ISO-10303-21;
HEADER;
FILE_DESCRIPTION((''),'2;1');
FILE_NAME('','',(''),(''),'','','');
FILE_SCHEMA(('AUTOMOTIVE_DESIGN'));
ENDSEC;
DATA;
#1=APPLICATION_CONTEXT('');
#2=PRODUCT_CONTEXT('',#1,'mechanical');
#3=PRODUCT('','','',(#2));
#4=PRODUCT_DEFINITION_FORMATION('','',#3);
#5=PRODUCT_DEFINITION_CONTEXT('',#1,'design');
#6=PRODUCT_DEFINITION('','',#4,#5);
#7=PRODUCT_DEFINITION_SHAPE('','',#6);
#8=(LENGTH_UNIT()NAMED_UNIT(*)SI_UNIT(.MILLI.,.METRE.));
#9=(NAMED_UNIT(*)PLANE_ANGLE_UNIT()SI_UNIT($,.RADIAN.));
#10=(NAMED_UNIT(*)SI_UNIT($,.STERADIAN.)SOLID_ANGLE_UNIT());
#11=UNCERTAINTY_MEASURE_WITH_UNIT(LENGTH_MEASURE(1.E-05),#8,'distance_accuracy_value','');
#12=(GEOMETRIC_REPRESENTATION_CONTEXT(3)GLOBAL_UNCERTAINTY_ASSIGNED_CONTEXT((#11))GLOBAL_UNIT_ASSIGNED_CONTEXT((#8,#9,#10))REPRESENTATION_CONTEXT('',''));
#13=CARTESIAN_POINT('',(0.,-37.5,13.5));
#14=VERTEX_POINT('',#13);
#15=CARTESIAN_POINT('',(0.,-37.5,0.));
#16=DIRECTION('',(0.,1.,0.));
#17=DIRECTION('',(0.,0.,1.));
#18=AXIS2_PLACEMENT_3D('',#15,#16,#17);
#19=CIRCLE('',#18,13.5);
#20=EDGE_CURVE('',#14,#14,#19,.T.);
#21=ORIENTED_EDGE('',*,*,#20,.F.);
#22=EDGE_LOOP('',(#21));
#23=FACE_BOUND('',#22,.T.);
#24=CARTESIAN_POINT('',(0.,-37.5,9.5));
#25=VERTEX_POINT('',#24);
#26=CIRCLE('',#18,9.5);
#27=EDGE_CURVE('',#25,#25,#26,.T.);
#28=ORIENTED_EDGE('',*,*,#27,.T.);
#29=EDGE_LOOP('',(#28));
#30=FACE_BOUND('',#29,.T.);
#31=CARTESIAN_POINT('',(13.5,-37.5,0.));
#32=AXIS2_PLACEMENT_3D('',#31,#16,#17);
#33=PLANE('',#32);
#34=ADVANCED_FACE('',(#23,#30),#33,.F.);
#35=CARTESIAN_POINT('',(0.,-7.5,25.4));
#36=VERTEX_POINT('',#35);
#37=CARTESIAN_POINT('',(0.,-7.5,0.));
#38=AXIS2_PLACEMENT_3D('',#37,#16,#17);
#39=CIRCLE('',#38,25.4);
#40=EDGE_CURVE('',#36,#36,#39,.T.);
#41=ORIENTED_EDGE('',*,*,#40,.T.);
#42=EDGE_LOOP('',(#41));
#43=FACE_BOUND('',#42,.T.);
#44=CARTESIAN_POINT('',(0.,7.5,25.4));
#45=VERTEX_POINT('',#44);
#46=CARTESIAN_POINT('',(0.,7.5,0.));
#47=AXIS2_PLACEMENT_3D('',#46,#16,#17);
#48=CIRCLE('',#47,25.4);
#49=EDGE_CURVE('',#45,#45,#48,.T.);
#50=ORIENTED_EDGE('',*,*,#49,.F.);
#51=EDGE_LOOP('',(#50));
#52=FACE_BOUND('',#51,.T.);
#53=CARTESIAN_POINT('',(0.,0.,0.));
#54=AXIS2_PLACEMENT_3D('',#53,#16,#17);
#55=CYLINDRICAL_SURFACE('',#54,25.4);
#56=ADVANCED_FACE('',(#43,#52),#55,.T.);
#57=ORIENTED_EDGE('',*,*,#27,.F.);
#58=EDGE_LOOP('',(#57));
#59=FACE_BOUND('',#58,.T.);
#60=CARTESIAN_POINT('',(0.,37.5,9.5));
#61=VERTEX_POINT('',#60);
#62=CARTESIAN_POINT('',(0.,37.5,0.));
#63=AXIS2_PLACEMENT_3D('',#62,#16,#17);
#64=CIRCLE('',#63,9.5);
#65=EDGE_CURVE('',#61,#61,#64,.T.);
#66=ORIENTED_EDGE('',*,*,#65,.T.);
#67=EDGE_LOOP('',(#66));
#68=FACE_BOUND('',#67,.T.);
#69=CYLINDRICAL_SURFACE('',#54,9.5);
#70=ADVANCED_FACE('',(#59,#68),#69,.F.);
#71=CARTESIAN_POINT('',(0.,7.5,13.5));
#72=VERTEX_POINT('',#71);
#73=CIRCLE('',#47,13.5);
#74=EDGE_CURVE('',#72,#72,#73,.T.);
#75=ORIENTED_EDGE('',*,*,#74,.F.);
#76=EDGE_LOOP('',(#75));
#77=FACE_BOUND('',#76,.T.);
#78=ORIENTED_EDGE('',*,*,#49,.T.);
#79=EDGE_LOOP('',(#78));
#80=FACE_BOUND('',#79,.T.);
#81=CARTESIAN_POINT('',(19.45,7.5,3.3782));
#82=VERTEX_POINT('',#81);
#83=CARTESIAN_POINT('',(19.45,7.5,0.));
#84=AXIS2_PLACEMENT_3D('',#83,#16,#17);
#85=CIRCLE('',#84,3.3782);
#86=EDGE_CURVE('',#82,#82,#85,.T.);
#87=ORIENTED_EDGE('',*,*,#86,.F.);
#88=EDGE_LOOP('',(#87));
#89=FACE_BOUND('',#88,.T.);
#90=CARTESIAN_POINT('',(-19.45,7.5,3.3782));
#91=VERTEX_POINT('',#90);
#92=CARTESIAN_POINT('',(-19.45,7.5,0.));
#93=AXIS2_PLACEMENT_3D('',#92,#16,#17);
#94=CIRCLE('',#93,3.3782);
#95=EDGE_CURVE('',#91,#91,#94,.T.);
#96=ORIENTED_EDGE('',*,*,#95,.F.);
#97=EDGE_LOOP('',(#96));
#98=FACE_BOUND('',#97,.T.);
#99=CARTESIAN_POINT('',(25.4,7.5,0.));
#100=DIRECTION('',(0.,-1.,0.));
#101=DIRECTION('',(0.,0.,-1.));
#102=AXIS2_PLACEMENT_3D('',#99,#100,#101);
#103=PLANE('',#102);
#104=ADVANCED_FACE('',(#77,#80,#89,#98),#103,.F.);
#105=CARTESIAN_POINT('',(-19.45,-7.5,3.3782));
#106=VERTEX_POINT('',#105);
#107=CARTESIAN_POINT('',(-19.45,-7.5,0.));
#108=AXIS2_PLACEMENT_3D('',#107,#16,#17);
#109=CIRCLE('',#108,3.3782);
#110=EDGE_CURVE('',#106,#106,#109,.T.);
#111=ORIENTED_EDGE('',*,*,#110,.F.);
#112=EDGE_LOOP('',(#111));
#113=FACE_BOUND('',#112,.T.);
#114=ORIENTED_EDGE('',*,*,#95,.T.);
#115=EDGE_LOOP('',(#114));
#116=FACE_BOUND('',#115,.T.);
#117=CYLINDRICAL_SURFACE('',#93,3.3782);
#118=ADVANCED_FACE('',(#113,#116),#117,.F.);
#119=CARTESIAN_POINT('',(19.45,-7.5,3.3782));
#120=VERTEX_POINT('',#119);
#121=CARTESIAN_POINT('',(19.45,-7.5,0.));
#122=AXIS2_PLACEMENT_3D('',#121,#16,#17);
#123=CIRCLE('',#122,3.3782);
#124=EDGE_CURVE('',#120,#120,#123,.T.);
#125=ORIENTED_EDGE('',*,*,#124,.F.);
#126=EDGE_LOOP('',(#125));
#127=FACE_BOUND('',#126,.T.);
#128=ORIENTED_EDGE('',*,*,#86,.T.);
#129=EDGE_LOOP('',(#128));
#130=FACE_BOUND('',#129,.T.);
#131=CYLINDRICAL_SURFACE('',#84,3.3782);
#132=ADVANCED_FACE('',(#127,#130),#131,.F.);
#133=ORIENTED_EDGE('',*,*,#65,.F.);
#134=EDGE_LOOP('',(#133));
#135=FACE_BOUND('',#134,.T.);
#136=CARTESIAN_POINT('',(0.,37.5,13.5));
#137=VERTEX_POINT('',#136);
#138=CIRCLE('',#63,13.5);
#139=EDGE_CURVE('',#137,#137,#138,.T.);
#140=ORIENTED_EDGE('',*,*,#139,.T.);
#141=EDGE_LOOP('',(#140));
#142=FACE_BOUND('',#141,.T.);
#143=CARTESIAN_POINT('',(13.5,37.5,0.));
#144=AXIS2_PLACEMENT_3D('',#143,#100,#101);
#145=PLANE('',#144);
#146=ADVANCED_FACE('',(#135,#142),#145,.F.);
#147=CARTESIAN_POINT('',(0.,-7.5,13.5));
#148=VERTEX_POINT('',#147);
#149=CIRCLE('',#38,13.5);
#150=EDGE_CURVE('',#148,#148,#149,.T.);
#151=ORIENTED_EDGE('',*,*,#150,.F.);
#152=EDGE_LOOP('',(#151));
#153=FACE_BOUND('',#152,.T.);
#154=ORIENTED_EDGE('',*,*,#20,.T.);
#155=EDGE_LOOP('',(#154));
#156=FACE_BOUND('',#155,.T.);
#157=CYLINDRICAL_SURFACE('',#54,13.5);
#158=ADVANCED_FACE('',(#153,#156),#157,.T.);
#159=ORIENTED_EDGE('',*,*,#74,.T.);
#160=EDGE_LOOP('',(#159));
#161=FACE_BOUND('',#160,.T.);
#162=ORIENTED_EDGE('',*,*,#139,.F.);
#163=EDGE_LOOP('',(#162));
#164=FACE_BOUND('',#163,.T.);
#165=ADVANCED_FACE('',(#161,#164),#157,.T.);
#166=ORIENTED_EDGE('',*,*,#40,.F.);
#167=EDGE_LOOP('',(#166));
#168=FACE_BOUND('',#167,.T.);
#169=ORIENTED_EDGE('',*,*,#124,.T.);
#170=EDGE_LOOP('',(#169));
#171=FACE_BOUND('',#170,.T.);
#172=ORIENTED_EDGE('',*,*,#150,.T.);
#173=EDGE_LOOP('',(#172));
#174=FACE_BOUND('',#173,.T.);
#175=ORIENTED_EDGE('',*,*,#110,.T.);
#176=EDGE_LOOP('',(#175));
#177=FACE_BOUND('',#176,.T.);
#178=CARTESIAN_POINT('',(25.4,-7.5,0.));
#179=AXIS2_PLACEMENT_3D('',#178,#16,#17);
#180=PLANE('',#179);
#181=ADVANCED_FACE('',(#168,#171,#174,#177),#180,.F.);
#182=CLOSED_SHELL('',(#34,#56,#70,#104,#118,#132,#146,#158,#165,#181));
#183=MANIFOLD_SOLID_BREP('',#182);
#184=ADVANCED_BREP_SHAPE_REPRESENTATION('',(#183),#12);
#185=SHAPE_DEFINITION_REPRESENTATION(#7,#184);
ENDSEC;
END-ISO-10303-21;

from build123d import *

# Parameters (mm, degrees)
TALADRO_DE_MARGEN_PARA_1_41_D = 6.7564


with BuildPart() as part:
    # Croquis2 → Revolución1 (revolve)
    with BuildSketch(Plane.XY, mode=Mode.PRIVATE) as revoluci_n1_sk:
        Polygon((9.5, 37.5), (9.5, -37.5), (13.5, -37.5), (13.5, -7.5), (25.4, -7.5), (25.4, 7.5), (13.5, 7.5), (13.5, 37.5), align=None)
    revolve(revoluci_n1_sk.sketch.rotate(Axis((0, 0, 0), (0, -1, 0)), 90), axis=Axis((0, 0, 0), (0, -1, 0)))

    # Taladro de margen para 1/41 (through all)
    with Locations(Plane(origin=(0, 7.5, 0), x_dir=(1, 0, 0), z_dir=(0, 1, 0))):
        with Locations((19.45, 0), (-19.45, 0)):
            Hole(TALADRO_DE_MARGEN_PARA_1_41_D / 2)


solid = part.part
